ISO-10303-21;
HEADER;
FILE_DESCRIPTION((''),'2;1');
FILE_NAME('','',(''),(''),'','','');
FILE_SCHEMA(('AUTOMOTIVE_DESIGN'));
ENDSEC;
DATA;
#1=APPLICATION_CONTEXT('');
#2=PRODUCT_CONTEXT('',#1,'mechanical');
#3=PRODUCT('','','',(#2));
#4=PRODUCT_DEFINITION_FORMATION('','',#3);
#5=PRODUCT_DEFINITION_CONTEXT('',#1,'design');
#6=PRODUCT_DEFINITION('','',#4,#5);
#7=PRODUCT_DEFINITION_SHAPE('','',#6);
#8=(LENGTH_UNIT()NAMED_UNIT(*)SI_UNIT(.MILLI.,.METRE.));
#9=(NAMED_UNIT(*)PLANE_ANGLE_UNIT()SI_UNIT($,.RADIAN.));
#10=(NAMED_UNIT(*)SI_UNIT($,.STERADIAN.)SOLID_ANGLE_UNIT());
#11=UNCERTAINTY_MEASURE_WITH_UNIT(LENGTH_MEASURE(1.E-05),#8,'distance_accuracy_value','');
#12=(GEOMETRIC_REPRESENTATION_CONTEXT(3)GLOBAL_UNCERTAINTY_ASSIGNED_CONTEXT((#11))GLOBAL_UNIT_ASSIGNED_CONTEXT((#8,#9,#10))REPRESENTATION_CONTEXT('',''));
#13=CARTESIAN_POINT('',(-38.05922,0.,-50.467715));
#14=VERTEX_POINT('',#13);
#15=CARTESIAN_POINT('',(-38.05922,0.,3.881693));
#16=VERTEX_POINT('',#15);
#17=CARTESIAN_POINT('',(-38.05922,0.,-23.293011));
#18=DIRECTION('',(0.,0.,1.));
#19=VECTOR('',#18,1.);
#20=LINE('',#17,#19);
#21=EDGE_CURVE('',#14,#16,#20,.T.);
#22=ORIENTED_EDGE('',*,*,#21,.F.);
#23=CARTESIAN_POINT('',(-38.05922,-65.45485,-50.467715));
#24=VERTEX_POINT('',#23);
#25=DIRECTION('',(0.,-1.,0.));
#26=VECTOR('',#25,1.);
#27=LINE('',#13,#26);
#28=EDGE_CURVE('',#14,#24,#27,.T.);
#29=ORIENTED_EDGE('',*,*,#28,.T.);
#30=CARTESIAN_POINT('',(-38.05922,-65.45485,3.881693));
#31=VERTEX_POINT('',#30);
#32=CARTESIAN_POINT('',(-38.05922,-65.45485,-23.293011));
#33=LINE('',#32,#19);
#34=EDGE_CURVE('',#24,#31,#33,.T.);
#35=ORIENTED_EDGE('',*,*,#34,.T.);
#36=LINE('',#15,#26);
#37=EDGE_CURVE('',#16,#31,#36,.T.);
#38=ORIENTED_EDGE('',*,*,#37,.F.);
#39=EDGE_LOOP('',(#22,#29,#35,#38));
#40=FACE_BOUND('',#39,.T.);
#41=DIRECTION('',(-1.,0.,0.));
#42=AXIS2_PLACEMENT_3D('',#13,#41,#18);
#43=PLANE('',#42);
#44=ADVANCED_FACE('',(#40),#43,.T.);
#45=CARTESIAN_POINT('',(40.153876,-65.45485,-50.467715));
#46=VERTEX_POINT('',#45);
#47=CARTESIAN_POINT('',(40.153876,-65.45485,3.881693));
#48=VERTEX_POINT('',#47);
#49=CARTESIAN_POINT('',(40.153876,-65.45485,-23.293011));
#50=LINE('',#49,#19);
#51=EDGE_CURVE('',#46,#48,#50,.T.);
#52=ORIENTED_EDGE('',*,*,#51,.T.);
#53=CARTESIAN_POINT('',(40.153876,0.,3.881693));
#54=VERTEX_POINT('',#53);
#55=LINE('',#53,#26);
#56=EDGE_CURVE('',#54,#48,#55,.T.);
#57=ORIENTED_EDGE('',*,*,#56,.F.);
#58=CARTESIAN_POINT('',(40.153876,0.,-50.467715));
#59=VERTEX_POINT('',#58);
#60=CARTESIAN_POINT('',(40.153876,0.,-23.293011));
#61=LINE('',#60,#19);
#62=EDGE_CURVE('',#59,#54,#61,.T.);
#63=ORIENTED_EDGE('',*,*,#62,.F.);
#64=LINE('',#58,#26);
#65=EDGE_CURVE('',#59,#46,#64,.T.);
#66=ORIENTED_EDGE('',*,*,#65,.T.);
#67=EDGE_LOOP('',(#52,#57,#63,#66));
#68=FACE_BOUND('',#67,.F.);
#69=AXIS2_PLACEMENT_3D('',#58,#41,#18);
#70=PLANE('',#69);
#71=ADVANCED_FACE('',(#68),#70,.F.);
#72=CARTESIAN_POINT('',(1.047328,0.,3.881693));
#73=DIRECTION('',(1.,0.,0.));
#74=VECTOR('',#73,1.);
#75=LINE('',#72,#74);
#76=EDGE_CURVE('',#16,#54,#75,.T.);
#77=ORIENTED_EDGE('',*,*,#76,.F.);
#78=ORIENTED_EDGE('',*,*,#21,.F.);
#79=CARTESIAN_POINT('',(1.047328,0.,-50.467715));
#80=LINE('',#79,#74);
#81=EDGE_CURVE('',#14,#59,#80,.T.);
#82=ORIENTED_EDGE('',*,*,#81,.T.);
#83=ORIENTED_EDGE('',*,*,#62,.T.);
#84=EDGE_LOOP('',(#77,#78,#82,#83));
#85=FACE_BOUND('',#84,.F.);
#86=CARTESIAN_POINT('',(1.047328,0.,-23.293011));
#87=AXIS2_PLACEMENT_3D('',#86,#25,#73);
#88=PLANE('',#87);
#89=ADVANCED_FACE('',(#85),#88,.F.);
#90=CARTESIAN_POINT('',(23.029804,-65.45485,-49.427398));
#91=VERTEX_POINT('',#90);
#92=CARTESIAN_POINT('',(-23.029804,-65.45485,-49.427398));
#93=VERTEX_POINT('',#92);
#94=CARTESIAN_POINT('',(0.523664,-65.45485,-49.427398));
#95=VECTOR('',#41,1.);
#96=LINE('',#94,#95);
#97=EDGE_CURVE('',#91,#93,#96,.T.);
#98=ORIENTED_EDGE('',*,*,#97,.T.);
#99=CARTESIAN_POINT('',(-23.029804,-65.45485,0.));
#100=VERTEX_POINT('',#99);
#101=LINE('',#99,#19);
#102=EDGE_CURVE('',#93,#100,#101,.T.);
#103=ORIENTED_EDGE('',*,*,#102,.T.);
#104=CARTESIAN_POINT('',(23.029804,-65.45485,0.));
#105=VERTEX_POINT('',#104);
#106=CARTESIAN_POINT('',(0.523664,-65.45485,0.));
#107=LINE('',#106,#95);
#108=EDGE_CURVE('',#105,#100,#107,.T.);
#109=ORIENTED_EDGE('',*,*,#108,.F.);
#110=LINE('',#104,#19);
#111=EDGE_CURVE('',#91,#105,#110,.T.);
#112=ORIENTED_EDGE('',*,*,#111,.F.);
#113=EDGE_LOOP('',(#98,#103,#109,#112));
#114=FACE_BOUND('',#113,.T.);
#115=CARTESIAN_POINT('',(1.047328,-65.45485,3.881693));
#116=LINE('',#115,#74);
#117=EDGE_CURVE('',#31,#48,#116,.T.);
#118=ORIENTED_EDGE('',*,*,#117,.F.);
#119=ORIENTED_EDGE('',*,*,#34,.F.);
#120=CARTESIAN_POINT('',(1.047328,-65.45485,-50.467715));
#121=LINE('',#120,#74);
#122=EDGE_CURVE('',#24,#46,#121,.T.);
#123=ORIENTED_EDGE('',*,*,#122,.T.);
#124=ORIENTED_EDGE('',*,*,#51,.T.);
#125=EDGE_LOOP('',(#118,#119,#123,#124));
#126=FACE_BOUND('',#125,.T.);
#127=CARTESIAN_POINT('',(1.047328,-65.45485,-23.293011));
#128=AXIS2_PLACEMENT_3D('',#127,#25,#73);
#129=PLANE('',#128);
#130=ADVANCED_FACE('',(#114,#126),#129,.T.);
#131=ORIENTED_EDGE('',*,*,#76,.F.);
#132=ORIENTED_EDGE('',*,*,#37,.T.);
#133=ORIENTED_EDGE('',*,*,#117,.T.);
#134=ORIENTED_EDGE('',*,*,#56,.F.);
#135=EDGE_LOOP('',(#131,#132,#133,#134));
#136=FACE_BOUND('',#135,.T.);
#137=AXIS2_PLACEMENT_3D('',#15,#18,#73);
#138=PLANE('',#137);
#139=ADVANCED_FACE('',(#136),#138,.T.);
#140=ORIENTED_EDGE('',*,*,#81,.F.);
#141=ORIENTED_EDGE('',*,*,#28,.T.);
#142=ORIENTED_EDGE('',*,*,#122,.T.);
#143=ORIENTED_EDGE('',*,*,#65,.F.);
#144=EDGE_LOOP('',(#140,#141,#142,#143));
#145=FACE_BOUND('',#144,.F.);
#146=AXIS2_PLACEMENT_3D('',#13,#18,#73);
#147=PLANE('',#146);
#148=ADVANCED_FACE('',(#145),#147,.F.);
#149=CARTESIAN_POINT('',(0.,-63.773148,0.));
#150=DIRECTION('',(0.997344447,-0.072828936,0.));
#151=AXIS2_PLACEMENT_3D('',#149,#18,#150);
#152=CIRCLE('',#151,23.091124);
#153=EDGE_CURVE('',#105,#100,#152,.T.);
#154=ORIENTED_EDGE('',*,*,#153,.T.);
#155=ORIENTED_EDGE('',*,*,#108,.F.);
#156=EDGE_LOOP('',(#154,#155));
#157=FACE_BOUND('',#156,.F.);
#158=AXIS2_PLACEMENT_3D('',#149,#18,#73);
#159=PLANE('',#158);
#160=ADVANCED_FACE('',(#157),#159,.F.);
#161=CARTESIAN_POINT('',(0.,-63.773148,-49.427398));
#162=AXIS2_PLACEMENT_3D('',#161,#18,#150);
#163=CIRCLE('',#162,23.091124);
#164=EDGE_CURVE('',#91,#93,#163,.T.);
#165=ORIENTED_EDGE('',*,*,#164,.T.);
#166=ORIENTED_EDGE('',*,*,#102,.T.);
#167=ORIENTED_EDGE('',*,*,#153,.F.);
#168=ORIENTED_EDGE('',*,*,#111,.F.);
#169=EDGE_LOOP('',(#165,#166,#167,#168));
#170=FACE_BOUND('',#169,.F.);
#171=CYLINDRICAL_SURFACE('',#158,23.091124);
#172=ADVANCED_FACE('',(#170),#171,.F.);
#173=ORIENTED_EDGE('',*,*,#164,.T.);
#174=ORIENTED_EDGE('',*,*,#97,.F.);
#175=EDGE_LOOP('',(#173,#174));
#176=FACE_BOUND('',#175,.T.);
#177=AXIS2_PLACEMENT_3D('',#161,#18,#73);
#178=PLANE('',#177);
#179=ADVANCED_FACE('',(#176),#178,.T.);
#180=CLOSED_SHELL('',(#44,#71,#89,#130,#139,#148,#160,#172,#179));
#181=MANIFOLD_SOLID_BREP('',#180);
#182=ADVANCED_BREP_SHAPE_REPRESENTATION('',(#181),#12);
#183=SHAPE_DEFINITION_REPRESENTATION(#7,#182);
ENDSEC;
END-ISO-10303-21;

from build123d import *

# Parameters (mm, degrees)
F0_W     = 78.213096
F0_H     = 54.349408
F1_DEPTH = 65.45485
F2_R     = 23.091124
F3_DEPTH = 49.427398


with BuildPart() as f1:
    # F0 (on Front) → F1 (new body)
    with BuildSketch(Plane.XZ):
        with Locations((1.047328, -23.293011)):
            Rectangle(F0_W, F0_H)
    extrude(amount=F1_DEPTH)

    # F2 (on Top) → F3 (cut)
    with BuildSketch(Plane.XY):
        with Locations((0, -63.773148)):
            Circle(F2_R)
    extrude(amount=-F3_DEPTH, mode=Mode.SUBTRACT)


solid = f1.part
